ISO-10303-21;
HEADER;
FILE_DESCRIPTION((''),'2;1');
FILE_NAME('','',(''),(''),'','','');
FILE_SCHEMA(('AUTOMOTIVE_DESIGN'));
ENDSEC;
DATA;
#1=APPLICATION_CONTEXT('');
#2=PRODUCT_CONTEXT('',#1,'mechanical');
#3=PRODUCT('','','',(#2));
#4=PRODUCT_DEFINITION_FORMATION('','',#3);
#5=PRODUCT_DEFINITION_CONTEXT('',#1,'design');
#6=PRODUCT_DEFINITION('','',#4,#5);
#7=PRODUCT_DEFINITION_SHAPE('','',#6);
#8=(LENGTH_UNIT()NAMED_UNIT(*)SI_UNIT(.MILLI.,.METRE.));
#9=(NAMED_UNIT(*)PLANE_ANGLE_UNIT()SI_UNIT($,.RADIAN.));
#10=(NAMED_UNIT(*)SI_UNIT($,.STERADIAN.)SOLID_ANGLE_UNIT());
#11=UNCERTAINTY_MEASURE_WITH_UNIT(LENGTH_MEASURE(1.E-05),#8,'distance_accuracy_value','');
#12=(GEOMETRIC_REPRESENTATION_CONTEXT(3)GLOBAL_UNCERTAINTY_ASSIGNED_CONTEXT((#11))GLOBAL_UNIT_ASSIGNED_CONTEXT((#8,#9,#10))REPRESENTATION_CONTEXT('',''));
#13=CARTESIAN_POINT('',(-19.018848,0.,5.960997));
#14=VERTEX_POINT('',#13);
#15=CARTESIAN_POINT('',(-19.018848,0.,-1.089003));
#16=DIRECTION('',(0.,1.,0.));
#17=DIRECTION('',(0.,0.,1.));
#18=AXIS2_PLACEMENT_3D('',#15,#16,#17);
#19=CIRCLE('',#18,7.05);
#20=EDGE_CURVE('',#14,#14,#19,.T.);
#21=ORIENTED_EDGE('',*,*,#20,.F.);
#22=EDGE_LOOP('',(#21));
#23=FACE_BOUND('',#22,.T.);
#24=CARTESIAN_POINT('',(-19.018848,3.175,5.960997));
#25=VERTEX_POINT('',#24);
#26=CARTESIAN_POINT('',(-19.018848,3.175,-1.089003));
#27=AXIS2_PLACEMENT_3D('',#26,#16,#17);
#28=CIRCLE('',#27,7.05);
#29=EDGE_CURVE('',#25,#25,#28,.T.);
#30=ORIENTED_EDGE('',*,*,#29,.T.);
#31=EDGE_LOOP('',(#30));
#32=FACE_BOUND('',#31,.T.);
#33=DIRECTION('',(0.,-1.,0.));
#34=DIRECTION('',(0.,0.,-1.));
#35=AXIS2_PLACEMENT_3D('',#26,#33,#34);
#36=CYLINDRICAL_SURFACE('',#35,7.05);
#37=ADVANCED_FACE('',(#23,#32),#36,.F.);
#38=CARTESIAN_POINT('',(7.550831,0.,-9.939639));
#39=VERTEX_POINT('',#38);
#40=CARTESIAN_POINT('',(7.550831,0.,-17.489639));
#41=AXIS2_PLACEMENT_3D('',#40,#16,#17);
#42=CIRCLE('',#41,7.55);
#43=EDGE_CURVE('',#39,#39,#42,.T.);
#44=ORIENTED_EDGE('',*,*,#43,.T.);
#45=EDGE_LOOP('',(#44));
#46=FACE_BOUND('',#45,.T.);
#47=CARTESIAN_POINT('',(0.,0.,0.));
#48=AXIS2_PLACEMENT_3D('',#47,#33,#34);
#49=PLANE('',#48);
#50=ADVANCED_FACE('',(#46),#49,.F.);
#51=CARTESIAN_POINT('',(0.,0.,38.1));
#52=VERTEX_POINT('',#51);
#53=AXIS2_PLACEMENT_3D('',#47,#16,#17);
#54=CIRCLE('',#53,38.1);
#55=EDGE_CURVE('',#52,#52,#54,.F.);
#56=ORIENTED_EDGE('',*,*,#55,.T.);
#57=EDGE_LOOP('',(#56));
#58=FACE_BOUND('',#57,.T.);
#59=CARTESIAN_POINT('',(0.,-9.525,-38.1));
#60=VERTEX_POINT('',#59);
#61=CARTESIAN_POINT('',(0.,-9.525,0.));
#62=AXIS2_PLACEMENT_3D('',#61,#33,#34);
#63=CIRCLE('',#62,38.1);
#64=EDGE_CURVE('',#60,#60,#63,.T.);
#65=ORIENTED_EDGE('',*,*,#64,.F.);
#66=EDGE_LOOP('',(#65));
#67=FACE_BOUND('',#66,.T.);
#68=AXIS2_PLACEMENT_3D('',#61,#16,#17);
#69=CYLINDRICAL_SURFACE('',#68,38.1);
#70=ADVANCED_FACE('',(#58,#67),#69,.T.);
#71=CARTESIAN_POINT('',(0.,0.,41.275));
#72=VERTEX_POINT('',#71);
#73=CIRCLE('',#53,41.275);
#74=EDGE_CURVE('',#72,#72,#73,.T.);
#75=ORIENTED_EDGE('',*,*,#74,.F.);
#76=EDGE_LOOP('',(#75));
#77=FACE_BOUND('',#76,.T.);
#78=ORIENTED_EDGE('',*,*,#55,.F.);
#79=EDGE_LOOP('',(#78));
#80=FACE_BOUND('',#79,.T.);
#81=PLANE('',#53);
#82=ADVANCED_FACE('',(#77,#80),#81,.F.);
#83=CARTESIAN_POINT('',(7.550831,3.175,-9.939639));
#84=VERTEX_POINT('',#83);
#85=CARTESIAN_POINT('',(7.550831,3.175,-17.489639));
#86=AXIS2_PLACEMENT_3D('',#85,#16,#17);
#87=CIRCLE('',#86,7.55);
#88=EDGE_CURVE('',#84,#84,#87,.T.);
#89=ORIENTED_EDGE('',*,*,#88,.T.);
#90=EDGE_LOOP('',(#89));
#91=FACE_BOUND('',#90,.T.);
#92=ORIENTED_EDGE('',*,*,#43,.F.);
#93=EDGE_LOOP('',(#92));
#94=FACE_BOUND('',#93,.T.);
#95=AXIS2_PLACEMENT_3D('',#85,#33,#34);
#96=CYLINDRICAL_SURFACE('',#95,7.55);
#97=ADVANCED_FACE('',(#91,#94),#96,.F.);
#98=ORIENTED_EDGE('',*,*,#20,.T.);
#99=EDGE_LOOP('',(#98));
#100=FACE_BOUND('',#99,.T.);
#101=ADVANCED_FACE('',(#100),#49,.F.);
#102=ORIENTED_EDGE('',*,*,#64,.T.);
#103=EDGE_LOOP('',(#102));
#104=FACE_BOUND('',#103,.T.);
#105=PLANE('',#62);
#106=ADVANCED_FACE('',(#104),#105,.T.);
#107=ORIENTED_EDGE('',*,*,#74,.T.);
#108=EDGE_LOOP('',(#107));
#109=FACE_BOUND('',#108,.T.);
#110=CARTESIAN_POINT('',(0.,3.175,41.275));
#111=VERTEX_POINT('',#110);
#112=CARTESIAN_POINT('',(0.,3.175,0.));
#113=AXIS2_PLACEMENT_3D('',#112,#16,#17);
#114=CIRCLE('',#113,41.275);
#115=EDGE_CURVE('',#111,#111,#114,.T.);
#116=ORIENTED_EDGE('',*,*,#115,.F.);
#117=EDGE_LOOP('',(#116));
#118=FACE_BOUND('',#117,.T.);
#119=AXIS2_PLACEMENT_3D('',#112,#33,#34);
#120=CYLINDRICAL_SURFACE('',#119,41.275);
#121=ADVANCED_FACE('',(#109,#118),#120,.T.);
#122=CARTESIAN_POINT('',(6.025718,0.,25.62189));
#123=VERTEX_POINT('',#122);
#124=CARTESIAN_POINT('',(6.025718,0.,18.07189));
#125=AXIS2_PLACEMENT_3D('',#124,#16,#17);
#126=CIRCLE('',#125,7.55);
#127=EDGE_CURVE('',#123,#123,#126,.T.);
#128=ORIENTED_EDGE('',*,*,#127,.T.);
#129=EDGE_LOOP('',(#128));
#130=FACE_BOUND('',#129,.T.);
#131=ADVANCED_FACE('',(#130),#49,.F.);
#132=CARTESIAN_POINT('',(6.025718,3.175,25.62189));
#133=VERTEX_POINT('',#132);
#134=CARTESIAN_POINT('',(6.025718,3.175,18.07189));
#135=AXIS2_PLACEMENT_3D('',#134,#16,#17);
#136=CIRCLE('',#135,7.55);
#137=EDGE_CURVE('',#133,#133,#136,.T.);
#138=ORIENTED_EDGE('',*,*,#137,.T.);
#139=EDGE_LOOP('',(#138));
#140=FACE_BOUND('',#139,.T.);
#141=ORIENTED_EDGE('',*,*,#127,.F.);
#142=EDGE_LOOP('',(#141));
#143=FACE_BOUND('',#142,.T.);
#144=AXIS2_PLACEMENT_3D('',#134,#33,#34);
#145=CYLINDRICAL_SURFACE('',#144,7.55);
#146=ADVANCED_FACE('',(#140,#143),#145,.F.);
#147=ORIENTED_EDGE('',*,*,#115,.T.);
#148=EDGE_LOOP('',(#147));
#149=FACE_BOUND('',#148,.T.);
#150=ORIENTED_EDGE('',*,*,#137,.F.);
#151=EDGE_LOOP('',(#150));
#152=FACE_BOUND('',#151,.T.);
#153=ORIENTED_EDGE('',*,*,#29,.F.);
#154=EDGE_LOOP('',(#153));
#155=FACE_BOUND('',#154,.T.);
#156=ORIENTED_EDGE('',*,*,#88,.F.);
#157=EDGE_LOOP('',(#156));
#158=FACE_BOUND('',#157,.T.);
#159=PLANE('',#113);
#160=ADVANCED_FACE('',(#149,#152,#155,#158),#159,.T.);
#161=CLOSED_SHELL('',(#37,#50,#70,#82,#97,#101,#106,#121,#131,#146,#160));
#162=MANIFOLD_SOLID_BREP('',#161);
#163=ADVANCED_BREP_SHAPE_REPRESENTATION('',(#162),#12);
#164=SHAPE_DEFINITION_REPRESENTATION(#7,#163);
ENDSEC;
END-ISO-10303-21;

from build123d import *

# Parameters (mm, degrees)
SKETCH1_R           = 41.275
SKETCH1_R_2         = 7.05
SKETCH1_R_3         = 7.55
BOSS_EXTRUDE1_DEPTH = 3.175
SKETCH2_R           = 38.1
BOSS_EXTRUDE2_DEPTH = 9.525


with BuildPart() as part:
    # Sketch1 → Boss-Extrude1 (new body)
    with BuildSketch(Plane(origin=(0, 0, 0), x_dir=(1, 0, 0), z_dir=(0, 1, 0))):
        Circle(SKETCH1_R)
        with Locations((-19.018847828, 1.089002884)):
            Circle(SKETCH1_R_2, mode=Mode.SUBTRACT)
        with Locations((6.025718442, -18.071890251)):
            Circle(SKETCH1_R_3, mode=Mode.SUBTRACT)
        with Locations((7.550830576, 17.489638578)):
            Circle(SKETCH1_R_3, mode=Mode.SUBTRACT)
    extrude(amount=BOSS_EXTRUDE1_DEPTH)

    # Sketch2 → Boss-Extrude2 (add)
    with BuildSketch(Plane.XZ):
        Circle(SKETCH2_R)
    extrude(amount=BOSS_EXTRUDE2_DEPTH)


solid = part.part
